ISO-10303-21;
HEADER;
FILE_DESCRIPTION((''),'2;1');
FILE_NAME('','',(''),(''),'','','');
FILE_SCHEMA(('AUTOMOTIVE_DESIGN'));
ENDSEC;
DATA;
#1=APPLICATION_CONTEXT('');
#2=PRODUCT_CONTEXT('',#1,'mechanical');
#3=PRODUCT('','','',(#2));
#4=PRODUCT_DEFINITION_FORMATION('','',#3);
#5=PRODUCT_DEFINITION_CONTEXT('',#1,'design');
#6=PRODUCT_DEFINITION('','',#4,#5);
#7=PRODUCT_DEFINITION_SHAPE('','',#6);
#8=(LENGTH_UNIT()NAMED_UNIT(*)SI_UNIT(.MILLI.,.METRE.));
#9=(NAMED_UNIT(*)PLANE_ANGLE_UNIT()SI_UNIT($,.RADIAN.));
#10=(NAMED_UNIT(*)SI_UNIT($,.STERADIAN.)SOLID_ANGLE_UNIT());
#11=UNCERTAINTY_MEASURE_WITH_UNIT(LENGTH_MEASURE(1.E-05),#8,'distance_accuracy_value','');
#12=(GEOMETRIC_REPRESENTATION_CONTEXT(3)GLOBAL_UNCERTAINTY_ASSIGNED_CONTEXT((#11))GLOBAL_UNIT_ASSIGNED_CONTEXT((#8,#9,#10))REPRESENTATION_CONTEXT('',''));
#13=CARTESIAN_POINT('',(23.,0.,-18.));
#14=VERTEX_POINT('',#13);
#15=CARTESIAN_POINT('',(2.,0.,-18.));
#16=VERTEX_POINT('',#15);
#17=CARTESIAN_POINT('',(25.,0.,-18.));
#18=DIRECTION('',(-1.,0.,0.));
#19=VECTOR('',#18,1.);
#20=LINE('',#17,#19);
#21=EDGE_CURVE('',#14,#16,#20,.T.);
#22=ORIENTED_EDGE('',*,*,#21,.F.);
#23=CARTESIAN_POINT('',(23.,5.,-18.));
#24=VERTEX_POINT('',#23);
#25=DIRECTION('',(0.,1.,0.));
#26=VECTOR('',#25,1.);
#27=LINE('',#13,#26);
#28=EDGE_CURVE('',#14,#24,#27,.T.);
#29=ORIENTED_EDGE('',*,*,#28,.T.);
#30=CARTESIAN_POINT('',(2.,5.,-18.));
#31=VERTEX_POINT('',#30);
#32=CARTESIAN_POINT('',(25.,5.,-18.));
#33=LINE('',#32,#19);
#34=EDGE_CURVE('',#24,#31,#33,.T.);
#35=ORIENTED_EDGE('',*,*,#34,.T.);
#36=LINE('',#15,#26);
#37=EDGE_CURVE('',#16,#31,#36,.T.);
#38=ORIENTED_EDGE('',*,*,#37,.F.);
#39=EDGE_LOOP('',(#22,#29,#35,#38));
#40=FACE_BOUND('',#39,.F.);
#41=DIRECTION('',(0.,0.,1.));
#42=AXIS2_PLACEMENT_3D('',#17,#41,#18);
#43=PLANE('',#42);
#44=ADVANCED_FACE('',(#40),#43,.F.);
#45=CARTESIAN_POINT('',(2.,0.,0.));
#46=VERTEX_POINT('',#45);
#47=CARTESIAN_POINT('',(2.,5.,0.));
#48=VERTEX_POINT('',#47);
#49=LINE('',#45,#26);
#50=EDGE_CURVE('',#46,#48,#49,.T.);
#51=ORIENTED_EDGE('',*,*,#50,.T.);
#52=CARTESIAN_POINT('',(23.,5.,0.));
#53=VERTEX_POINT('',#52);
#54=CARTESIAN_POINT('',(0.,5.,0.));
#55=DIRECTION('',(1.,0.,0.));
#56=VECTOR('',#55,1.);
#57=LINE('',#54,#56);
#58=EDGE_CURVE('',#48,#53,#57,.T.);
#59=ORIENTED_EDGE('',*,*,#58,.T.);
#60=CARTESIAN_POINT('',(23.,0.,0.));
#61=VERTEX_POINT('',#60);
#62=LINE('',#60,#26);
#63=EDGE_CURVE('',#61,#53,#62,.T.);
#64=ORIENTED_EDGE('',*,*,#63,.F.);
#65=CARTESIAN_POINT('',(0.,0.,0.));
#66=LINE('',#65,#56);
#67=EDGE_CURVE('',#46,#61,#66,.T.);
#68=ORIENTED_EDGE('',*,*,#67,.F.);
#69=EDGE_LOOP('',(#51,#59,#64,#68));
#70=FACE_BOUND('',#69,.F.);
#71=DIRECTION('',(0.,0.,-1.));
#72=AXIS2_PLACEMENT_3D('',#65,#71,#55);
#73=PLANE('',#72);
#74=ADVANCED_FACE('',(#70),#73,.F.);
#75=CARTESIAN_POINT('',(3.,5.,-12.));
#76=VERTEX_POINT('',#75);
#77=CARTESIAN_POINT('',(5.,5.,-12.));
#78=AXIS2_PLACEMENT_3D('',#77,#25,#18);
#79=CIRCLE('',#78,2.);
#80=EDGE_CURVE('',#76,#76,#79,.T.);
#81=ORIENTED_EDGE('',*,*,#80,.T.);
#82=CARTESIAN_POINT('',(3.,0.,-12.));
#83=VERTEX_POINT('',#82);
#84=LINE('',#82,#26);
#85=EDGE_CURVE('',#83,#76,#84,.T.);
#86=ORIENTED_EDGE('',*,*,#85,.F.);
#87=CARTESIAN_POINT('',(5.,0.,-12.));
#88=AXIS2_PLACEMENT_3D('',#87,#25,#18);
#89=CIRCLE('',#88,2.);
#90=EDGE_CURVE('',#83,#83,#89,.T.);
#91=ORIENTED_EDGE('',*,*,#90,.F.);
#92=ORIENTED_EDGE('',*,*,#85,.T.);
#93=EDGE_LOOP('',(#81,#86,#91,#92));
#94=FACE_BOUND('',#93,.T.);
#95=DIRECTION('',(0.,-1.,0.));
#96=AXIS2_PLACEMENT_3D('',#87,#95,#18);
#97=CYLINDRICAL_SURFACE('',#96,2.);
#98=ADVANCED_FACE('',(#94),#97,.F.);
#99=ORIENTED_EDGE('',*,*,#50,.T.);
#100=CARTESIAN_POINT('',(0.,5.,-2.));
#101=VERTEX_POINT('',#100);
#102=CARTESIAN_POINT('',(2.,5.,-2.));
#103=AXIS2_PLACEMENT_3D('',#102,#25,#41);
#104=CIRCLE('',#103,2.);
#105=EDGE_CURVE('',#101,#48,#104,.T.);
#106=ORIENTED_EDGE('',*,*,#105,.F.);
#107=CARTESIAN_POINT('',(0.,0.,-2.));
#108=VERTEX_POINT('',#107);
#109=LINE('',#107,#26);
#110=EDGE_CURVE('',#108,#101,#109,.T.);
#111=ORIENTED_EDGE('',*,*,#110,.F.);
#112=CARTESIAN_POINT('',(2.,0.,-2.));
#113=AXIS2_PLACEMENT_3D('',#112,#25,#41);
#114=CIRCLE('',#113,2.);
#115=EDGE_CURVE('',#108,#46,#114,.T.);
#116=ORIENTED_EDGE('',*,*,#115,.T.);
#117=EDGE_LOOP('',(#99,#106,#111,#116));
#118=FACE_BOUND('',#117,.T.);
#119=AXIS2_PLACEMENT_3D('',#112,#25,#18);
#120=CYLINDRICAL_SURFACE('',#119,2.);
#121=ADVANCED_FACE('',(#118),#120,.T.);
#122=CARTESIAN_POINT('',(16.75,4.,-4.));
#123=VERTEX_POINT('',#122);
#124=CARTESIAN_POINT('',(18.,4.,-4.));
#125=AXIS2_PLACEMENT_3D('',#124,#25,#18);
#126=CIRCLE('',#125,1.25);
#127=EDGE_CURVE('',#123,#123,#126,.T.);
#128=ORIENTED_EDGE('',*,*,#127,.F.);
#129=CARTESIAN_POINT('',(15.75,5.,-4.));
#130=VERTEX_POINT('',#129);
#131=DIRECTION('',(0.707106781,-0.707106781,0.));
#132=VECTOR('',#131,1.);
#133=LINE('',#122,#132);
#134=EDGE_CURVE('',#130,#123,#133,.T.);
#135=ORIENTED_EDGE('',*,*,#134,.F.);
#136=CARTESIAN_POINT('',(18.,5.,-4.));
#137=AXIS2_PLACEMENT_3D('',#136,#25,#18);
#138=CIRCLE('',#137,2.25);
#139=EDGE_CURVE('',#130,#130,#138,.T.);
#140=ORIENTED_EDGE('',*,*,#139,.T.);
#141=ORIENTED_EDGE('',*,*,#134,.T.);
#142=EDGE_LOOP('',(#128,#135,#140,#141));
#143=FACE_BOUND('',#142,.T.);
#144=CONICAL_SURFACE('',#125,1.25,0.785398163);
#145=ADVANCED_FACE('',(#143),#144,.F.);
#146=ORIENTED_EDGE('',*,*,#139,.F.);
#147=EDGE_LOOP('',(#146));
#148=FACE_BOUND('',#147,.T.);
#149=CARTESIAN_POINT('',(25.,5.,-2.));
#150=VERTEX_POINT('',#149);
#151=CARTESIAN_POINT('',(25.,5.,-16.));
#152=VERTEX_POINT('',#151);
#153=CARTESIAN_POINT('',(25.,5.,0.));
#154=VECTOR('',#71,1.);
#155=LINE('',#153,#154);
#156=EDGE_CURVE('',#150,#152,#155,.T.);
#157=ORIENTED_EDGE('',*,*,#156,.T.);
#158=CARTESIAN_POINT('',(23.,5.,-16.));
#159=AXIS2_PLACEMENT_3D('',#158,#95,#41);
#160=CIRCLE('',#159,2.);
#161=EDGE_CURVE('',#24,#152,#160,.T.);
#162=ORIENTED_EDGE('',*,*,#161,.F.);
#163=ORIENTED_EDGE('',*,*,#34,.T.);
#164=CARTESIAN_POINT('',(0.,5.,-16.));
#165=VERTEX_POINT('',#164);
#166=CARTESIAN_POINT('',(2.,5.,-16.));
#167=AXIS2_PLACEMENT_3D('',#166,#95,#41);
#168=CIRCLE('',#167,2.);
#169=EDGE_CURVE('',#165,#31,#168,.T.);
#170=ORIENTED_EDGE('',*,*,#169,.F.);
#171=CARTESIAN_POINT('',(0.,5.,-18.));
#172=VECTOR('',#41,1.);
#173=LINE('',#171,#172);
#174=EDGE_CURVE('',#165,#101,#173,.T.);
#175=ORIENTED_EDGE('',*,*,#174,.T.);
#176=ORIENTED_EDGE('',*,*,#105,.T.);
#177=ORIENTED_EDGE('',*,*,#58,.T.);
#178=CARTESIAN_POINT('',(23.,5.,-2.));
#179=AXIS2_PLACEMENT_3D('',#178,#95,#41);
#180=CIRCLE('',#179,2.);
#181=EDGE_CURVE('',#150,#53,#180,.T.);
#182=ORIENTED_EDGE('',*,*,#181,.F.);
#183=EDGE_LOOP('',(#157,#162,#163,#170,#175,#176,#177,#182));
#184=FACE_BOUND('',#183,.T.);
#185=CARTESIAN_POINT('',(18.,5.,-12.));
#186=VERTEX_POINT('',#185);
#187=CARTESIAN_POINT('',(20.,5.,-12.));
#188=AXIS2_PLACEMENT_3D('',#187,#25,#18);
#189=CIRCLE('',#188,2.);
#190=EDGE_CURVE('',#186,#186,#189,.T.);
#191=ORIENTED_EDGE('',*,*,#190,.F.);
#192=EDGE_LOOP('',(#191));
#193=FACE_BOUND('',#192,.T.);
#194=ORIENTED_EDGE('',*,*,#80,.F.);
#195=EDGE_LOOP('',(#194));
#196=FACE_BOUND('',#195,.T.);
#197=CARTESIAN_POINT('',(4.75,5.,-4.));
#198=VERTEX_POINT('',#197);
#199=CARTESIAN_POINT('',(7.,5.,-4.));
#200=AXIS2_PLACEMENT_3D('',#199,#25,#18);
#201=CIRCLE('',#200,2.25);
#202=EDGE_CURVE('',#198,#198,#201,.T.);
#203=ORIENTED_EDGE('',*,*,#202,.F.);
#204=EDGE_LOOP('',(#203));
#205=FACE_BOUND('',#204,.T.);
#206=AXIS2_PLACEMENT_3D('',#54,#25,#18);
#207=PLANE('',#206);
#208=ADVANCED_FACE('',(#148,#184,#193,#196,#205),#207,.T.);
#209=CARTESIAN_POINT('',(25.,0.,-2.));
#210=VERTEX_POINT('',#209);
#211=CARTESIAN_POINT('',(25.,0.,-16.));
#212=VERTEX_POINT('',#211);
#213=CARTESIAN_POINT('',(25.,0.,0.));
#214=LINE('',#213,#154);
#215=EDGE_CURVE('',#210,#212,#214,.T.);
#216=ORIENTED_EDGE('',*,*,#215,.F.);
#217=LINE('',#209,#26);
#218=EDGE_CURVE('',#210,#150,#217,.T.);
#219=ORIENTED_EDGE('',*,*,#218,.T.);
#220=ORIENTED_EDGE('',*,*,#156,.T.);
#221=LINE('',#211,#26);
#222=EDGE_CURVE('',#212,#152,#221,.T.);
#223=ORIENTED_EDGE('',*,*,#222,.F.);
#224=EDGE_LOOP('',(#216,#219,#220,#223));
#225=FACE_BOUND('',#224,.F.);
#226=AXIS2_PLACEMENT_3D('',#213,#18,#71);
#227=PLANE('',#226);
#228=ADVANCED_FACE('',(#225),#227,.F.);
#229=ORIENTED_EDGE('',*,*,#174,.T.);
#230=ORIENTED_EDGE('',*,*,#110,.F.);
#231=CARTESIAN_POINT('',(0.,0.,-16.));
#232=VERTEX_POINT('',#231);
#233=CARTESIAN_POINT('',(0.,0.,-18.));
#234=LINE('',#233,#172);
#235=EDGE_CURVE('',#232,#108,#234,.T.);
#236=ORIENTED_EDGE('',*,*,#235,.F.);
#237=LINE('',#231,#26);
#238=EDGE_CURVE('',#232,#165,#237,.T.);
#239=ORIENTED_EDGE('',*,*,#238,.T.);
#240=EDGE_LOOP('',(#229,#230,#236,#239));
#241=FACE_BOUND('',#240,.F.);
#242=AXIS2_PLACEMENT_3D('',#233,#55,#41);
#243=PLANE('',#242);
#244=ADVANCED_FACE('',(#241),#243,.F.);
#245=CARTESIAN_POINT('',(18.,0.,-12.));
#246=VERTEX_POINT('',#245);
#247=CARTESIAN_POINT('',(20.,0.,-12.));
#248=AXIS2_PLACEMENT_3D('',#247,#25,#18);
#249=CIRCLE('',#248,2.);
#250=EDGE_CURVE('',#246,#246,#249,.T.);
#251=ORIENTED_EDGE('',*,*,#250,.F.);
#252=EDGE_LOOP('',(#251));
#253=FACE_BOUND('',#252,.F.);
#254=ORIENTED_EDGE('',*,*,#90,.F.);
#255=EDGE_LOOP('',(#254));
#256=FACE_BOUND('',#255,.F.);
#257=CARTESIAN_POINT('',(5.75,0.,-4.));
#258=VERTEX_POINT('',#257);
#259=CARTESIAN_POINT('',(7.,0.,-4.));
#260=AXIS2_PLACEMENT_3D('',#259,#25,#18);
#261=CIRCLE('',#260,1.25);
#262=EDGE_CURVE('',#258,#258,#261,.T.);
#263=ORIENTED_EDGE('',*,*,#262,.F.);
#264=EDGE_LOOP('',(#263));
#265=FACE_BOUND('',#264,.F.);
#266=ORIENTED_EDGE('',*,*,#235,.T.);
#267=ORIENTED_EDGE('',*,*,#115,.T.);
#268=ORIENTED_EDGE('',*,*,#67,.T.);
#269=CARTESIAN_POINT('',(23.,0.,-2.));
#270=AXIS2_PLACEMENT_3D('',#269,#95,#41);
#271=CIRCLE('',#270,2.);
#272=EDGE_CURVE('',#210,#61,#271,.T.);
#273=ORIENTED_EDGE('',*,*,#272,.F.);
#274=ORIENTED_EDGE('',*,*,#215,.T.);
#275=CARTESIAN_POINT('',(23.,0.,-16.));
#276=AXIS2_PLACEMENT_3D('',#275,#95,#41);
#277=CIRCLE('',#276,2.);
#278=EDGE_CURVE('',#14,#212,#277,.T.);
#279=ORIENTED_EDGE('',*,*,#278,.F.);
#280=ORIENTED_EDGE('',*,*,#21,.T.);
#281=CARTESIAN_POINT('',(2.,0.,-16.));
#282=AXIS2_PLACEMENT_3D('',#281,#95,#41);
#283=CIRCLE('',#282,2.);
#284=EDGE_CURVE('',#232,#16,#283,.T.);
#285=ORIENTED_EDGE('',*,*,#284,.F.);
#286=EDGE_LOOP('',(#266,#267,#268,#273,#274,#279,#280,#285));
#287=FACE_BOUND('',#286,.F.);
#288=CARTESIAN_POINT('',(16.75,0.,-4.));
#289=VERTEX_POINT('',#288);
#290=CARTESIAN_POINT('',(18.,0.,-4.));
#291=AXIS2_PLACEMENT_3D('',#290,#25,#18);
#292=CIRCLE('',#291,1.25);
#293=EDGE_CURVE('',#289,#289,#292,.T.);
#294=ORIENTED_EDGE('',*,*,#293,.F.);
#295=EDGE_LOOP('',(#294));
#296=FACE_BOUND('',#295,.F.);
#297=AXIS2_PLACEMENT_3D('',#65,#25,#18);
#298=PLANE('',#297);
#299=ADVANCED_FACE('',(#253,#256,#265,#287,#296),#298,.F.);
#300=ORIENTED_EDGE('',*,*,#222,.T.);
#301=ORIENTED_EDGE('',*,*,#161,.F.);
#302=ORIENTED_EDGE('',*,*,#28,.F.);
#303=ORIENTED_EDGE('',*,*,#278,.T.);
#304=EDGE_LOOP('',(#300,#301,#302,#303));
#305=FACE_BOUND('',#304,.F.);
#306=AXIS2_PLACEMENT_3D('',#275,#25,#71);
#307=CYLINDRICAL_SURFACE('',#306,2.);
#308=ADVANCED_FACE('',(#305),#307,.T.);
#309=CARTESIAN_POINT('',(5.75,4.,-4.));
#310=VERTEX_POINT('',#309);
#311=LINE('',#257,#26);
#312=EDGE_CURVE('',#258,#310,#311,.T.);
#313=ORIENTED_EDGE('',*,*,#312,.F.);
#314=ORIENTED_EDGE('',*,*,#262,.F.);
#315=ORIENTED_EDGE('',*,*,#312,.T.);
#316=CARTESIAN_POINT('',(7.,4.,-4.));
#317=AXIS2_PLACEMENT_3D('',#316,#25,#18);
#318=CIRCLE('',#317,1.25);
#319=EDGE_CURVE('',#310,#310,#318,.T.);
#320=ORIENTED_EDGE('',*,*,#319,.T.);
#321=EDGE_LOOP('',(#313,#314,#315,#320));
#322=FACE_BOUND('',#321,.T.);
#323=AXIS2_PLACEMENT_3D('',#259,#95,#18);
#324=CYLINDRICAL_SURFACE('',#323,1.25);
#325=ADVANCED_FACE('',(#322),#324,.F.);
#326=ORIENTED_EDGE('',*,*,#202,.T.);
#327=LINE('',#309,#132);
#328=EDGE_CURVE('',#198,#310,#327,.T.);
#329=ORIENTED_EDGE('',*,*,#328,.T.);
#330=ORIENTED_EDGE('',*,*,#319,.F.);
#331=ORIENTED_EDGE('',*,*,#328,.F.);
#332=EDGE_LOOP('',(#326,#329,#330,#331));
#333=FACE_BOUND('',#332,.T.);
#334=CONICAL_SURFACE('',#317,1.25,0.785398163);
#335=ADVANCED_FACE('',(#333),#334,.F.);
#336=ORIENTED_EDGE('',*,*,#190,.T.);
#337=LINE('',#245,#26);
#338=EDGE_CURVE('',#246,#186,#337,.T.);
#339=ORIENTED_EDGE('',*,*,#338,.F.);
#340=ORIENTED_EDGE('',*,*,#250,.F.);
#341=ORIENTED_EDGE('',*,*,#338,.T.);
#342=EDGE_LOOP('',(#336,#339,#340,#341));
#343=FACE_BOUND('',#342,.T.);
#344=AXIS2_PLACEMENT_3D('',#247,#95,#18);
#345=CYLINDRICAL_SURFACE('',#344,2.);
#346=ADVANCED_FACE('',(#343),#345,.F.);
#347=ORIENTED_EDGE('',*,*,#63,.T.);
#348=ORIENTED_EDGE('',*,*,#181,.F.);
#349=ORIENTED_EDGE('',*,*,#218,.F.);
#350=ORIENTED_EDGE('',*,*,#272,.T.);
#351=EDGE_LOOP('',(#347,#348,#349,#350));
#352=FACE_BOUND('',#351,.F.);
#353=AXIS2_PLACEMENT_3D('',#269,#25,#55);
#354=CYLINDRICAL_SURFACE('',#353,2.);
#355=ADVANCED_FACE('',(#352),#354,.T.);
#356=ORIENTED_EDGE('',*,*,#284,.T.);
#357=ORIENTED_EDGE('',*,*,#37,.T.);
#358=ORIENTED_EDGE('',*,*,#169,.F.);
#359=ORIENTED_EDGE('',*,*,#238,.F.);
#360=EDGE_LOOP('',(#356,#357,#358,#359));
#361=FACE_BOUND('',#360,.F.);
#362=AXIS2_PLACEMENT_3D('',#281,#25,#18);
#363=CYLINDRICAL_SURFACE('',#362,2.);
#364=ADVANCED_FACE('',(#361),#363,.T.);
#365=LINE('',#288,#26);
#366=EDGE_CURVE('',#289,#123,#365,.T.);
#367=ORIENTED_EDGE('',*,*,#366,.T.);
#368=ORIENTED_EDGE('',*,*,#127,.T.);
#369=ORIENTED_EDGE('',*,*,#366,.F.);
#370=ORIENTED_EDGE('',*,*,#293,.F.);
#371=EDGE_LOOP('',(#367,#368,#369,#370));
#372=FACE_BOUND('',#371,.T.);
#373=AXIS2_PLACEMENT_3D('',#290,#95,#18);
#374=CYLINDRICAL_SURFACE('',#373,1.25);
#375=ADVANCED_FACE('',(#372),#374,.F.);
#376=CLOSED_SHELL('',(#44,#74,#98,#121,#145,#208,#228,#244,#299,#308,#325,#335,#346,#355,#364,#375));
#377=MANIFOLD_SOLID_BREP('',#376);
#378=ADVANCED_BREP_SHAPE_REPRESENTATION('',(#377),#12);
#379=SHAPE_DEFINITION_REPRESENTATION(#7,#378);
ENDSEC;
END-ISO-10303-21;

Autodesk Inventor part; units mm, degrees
ref_plane "YZ Plane" through (0, 0, 0) normal (1, 0, 0) x (0, 1, 0)
ref_plane "XZ Plane" through (0, 0, 0) normal (0, 1, 0) x (-1, 0, 0)
ref_plane "XY Plane" through (0, 0, 0) normal (0, 0, 1) x (1, 0, 0)
sketch "Sketch1" plane through (0, 0, 0) normal (0, 1, 0) x (-1, 0, 0)
  line L0 (0, 0) -> (-25, 0)
  line L1 (-25, 0) -> (-25, -18)
  line L2 (-25, -18) -> (0, -18)
  line L3 (0, -18) -> (0, 0)
  circle A0 centre (-7, -4) radius 1.25
  circle A1 centre (-18, -4) radius 1.25
  circle A2 centre (-5, -12) radius 2
  circle A3 centre (-20, -12) radius 2
  dimension "d0" = 25
  dimension "d1" = 18
  dimension "d2" = 2.5
  dimension "d3" = 2.5
  dimension "d4" = 4
  dimension "d5" = 4
  dimension "d6" = 11
  dimension "d7" = 15
  dimension "d8" = 7
  dimension "d9" = 5
  dimension "d10" = 4
  dimension "d11" = 4
  dimension "d12" = 8
extrude "Extrusion1" add sketch "Sketch1" along normal blind 5
fillet "Fillet1" radius 2 4 edges at (0, 2.5, 0) (0, 2.5, -18) (25, 2.5, -18) (25, 2.5, 0)
chamfer "Chamfer1" distance 1 angle 45 1 edges at (8.25, 5, -4)
chamfer "Chamfer2" distance 1 angle 45 1 edges at (19.25, 5, -4)
properties part number "veg_kapcs_tart_csavarral"
